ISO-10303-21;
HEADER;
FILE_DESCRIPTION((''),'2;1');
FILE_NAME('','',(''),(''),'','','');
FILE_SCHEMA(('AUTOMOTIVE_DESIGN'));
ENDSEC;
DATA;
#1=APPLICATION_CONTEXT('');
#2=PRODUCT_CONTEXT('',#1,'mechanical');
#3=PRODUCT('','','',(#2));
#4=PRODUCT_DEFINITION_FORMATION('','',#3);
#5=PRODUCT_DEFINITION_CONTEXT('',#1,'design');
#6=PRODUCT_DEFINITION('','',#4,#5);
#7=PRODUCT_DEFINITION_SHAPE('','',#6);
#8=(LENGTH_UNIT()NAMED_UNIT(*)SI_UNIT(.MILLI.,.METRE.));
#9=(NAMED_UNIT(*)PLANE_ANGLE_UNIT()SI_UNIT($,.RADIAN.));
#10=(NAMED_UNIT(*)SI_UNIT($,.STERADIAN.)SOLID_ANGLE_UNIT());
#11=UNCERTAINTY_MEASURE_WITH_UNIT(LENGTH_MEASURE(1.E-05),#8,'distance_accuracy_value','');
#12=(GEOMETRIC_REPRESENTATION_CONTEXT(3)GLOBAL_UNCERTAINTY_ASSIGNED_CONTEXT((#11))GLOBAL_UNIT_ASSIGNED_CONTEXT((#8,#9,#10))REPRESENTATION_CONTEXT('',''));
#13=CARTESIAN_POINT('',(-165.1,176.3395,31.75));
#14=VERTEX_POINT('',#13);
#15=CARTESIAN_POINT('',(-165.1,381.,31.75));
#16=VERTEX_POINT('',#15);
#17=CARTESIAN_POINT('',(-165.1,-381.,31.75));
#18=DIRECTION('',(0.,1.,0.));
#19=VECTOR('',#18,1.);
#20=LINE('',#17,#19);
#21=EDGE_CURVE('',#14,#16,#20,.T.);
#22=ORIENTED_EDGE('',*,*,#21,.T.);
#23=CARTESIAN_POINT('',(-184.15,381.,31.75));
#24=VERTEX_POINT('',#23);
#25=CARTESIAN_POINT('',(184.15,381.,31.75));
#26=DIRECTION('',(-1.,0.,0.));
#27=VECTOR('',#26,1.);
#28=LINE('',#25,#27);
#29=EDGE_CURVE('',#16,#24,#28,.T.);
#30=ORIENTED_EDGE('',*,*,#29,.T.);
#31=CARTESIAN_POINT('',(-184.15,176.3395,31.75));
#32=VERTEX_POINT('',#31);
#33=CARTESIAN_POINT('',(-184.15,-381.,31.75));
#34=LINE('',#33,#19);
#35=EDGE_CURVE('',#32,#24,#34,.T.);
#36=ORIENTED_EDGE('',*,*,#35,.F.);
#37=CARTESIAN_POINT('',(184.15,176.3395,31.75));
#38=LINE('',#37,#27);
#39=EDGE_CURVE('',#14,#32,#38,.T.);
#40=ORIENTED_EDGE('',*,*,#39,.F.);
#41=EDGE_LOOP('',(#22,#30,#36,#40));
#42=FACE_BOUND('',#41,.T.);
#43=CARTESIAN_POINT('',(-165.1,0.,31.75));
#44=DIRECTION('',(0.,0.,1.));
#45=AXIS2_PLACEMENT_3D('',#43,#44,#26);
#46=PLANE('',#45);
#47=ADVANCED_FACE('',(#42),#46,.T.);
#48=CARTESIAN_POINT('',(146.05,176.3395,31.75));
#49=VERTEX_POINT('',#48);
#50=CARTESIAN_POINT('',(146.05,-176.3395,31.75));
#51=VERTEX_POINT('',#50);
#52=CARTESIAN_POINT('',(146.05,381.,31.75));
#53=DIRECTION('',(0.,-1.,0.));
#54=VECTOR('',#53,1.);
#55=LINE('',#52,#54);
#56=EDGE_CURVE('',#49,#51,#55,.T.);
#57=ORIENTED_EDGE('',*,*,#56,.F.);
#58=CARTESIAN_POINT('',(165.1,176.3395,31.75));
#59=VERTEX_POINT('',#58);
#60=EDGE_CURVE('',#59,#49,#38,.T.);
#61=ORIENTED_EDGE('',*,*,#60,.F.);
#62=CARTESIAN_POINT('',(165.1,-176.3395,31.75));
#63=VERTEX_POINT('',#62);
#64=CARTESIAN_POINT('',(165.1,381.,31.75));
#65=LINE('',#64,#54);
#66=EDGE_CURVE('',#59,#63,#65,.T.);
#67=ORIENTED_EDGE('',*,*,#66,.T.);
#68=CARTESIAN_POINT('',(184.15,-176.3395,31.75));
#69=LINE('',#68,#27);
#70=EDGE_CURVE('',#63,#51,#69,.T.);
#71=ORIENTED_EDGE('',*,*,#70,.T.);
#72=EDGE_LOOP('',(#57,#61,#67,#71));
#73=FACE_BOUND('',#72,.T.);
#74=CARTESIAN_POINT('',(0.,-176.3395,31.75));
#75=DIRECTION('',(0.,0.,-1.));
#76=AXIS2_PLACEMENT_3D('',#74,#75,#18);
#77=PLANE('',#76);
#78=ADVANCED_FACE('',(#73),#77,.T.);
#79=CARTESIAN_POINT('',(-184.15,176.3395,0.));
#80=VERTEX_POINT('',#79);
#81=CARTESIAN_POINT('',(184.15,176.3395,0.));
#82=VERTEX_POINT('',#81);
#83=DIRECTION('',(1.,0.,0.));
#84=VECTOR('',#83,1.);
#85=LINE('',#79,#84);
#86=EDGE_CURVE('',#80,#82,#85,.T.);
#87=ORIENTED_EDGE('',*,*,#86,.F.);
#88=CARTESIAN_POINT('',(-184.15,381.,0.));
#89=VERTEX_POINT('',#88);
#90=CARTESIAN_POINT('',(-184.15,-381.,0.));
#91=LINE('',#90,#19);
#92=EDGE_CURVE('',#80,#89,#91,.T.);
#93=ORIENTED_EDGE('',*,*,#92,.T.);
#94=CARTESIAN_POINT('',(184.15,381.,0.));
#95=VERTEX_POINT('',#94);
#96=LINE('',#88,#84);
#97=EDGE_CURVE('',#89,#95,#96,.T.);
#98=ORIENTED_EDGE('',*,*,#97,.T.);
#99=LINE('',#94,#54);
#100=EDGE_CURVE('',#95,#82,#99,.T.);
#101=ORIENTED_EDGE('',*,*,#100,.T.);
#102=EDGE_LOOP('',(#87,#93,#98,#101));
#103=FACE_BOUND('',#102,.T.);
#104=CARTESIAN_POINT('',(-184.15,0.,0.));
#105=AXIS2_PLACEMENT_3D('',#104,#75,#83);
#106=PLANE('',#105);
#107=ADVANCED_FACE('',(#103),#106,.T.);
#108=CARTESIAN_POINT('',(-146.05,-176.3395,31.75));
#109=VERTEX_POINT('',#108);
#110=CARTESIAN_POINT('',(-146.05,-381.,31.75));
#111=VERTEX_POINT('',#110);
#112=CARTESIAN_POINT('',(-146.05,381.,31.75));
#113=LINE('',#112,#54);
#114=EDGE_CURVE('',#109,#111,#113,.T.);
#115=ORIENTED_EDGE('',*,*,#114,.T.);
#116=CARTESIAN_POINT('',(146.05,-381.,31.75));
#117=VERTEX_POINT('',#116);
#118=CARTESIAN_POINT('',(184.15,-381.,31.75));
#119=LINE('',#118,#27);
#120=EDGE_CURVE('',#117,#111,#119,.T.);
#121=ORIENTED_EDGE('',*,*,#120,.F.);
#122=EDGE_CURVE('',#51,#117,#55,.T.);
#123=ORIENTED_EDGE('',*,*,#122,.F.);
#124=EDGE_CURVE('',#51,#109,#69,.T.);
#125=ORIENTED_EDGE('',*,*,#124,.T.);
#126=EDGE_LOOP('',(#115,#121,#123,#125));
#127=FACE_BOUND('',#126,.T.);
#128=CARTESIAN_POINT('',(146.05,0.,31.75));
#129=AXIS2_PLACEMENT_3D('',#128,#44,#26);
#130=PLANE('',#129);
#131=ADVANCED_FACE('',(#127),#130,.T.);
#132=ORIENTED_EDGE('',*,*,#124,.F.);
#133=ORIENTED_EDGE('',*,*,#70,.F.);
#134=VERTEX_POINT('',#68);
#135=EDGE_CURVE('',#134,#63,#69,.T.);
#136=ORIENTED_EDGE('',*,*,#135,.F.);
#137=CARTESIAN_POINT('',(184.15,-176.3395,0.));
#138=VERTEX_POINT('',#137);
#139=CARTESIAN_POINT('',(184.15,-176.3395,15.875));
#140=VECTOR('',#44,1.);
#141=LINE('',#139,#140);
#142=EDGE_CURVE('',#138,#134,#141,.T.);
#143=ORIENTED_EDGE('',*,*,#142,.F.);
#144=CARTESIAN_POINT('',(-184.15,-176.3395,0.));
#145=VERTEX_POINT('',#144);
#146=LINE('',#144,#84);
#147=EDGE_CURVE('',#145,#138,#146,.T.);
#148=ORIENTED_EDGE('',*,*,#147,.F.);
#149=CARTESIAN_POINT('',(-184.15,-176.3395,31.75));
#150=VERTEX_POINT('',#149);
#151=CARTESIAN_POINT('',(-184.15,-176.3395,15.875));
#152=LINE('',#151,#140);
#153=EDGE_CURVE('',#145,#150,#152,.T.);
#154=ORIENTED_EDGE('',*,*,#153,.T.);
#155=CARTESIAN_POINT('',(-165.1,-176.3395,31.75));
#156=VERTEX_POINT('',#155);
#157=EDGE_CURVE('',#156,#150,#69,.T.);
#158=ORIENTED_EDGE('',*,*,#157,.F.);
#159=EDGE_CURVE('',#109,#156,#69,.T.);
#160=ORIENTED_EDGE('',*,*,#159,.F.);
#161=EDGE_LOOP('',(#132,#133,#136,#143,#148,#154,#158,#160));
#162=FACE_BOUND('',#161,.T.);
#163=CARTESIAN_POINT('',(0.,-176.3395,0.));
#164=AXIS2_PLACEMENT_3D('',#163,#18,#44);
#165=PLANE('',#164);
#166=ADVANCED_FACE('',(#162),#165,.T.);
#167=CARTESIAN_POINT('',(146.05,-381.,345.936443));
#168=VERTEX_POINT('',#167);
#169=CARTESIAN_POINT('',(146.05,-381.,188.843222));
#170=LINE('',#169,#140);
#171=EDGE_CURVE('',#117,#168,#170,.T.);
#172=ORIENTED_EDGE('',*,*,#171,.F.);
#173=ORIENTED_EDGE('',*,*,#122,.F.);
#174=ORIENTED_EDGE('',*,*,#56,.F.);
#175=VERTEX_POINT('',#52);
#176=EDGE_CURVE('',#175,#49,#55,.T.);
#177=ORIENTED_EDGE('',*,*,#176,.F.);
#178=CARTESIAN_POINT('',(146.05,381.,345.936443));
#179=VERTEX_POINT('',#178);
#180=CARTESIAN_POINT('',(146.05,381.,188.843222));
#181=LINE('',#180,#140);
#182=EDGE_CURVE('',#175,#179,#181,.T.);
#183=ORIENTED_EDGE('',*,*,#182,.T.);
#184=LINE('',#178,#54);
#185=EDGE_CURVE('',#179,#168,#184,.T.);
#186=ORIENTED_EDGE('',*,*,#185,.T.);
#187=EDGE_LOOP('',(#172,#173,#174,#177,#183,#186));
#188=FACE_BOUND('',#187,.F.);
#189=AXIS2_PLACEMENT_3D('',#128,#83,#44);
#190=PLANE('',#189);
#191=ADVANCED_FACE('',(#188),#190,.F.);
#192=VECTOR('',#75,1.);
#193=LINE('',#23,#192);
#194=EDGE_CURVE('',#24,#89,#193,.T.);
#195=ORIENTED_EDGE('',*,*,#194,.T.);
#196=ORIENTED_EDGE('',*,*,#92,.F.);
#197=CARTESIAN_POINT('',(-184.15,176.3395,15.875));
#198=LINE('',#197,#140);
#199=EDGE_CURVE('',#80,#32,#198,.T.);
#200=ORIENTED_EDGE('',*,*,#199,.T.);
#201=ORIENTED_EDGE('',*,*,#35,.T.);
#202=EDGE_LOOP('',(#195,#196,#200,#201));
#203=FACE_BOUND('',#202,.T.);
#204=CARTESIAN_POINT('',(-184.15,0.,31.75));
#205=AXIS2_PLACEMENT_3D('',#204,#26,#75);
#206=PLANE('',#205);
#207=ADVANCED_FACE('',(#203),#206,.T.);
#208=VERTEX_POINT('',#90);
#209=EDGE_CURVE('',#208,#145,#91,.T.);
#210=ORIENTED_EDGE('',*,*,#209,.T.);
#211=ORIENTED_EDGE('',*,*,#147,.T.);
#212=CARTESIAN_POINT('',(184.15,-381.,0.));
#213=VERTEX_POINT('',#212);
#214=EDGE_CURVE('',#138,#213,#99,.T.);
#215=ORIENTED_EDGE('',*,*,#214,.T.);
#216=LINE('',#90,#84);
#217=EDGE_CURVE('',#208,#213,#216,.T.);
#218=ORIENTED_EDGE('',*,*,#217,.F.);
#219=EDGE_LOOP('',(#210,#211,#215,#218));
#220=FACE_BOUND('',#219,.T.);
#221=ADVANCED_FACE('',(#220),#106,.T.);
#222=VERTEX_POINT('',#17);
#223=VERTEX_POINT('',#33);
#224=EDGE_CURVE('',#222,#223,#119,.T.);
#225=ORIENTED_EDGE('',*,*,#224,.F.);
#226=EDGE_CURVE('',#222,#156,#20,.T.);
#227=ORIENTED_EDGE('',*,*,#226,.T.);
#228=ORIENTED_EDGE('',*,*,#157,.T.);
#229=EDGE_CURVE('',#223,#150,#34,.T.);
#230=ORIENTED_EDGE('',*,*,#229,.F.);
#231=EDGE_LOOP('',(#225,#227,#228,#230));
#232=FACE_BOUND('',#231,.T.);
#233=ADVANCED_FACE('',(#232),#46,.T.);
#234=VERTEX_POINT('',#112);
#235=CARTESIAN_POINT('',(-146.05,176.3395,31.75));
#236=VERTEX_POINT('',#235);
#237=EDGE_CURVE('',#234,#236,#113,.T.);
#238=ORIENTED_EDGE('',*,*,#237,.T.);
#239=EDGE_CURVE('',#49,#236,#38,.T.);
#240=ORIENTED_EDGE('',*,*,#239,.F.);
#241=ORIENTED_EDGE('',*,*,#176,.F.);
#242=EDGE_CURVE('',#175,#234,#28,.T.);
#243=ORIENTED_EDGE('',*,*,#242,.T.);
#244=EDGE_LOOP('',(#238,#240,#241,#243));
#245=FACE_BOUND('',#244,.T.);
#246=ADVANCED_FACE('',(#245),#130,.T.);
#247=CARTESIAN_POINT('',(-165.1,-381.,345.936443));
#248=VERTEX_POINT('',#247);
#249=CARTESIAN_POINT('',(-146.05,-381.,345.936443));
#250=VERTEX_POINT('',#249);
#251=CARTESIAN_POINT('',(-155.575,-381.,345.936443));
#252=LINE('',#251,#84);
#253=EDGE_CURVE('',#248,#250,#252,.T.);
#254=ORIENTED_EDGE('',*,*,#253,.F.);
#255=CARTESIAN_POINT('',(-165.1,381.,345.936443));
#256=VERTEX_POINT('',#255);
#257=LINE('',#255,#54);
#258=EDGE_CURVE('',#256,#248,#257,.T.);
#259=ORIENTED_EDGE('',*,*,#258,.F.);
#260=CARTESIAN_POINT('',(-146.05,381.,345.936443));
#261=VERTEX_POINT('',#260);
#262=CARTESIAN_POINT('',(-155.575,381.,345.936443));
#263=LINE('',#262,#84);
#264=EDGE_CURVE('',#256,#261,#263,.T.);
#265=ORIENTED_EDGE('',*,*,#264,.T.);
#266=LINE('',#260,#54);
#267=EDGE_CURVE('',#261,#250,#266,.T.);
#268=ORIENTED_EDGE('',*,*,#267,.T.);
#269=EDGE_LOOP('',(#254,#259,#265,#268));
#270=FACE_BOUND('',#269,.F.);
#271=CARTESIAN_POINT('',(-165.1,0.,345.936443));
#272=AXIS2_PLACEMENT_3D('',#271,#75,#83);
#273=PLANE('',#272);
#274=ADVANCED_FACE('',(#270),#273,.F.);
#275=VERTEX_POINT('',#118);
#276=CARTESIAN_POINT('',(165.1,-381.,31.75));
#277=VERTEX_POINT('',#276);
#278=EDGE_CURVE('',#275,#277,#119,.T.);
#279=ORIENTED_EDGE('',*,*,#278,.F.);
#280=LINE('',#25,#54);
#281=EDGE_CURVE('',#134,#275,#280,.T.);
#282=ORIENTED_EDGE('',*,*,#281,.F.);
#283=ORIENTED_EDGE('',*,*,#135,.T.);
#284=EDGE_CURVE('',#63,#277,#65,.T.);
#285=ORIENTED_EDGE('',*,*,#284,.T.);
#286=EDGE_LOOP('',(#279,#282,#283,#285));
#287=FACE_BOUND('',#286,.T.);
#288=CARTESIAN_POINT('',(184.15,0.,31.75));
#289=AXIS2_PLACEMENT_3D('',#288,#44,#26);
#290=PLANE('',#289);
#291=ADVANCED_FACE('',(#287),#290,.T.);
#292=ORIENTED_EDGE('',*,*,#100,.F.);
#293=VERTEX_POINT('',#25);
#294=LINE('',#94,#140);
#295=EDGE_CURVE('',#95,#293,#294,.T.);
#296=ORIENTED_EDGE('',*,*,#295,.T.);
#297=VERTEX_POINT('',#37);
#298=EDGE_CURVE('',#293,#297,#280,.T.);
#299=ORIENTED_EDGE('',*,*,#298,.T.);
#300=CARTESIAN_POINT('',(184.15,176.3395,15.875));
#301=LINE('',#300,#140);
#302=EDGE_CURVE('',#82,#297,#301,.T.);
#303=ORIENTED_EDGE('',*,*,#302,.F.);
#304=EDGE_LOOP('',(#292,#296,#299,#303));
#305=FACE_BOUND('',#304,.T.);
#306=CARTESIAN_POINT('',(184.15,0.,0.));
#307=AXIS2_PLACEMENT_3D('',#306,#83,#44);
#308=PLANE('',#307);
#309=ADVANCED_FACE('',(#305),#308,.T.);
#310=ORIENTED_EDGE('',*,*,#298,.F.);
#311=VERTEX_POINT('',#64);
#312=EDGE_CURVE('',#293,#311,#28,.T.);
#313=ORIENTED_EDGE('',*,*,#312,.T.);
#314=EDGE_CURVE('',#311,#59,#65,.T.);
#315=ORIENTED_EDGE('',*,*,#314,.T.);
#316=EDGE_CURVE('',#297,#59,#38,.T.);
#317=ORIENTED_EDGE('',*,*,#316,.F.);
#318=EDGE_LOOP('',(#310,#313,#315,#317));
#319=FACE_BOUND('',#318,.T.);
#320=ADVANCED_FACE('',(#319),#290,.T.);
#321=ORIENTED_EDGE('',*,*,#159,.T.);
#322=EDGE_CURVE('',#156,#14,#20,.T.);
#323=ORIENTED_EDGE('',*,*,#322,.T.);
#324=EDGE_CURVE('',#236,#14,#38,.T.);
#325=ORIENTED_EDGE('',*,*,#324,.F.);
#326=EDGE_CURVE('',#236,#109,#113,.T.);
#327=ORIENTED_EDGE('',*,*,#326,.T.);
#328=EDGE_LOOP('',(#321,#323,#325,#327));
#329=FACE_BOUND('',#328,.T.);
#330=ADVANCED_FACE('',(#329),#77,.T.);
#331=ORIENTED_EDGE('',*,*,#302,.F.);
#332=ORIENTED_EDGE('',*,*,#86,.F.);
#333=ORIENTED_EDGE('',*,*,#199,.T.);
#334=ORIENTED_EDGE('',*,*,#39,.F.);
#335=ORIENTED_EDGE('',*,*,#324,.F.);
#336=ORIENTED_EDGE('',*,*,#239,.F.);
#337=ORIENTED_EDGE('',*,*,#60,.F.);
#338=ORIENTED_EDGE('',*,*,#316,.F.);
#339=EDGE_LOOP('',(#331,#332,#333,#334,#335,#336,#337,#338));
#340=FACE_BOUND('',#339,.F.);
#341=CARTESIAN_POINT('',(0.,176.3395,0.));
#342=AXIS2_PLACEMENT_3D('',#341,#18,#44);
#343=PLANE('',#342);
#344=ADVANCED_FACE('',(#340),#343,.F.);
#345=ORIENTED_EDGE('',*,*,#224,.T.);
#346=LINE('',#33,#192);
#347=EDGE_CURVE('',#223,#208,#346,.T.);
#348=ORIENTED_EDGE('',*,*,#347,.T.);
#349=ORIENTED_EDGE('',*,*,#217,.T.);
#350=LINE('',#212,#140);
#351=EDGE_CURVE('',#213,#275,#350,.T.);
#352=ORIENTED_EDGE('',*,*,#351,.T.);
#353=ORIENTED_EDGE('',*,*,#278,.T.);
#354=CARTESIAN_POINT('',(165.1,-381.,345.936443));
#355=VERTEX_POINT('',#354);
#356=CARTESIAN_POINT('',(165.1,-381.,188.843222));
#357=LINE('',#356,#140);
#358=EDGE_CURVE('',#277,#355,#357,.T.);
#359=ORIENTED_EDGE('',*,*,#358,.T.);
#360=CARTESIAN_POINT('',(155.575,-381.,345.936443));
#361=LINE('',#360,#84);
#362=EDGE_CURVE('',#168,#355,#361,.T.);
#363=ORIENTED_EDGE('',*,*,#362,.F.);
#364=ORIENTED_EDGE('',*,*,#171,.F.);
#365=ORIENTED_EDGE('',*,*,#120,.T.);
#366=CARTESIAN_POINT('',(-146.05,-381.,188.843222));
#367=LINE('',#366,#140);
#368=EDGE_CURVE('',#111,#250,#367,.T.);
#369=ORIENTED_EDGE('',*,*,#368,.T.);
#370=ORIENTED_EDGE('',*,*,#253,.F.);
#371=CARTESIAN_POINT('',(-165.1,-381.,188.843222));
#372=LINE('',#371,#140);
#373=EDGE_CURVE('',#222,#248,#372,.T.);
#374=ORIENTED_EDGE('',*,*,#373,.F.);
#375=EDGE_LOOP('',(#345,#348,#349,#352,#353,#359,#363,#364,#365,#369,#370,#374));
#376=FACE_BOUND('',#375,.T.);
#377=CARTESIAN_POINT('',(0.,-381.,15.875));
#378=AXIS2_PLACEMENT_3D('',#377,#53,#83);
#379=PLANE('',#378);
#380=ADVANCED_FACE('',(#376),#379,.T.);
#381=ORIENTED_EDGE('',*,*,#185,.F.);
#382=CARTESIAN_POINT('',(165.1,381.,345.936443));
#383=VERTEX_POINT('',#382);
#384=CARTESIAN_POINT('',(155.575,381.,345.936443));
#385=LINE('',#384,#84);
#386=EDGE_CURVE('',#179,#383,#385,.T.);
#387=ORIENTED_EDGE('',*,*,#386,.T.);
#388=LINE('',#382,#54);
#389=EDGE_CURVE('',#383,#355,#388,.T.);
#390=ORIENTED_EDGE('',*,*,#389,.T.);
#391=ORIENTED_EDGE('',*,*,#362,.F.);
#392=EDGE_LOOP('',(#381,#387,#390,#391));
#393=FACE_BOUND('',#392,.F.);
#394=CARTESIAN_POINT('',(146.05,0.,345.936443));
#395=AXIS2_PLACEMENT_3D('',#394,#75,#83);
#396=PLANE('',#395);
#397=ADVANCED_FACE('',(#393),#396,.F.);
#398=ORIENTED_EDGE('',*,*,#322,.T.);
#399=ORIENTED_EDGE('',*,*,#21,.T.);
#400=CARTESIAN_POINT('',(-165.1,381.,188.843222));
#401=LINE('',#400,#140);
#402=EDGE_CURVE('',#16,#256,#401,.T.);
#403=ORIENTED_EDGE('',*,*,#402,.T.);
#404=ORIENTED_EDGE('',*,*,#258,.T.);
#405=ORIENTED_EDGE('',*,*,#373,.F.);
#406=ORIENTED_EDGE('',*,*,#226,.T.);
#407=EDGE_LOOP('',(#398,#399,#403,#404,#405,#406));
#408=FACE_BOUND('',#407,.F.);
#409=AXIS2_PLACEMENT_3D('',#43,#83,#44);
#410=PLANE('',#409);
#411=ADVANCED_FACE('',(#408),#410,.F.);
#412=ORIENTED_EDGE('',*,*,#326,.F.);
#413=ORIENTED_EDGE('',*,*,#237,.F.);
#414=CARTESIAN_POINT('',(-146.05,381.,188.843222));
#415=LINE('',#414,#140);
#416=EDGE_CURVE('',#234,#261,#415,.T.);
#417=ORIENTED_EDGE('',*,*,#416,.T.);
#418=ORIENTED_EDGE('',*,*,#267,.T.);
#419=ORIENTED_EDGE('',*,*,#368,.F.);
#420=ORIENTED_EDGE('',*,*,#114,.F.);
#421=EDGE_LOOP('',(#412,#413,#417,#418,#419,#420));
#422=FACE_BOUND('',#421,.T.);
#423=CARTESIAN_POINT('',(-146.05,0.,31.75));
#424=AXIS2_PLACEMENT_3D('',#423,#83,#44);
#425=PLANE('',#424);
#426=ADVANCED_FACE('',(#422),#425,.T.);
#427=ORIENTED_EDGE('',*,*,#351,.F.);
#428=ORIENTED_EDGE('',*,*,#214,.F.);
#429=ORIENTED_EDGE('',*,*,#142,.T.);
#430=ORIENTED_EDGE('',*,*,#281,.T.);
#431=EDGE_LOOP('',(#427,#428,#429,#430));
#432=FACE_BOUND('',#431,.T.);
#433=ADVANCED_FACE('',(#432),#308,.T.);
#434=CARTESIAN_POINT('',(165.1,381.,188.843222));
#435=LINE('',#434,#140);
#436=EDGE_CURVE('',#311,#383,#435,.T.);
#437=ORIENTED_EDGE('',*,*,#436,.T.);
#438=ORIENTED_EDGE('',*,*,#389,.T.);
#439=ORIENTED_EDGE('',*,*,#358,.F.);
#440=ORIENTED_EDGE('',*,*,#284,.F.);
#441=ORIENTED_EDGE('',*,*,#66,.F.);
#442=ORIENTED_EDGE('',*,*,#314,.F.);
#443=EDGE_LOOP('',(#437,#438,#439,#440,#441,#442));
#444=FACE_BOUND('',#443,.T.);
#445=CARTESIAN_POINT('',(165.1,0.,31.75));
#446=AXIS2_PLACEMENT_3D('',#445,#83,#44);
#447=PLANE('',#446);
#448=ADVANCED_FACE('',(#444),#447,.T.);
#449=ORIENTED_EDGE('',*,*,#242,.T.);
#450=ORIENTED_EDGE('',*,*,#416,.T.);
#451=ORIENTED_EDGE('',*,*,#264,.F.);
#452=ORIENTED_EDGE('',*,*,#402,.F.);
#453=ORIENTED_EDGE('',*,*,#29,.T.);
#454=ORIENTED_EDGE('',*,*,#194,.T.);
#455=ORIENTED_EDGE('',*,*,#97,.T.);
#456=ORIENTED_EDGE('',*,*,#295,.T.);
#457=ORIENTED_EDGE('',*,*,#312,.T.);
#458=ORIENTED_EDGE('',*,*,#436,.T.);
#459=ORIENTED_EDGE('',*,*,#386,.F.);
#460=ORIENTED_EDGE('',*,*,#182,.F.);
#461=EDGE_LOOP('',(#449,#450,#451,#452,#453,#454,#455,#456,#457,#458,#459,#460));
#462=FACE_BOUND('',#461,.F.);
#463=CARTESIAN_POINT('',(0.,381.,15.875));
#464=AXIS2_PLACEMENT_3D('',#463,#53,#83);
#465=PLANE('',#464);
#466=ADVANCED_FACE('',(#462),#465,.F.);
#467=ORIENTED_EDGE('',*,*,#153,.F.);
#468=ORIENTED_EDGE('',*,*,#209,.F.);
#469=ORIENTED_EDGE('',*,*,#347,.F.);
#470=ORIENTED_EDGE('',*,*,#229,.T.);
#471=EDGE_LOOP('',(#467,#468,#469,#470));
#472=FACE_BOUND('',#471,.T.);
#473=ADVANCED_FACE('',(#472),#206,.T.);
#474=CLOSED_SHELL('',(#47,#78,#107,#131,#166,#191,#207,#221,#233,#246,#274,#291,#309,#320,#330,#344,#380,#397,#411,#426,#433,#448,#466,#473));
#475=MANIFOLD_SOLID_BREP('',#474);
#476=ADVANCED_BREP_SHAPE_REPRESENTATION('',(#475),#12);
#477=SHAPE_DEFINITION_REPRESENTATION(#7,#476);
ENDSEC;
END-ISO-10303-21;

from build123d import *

# Parameters (mm, degrees)
F0_W     = 19.05
F0_H     = 314.1864430949
F1_DEPTH = 381
F2_W     = 352.679
F2_H     = 31.75
F3_DEPTH = 184.15


with BuildPart() as f1:
    # F0 (on Front) → F1 (new body, symmetric)
    with BuildSketch(Plane.XZ):
        Polygon((-184.15, 0), (0, 0), (184.15, 0), (184.15, 31.75), (165.1, 31.75), (146.05, 31.75), (-146.05, 31.75), (-165.1, 31.75), (-184.15, 31.75), align=None)
        with Locations((155.575, 188.8432215475)):
            Rectangle(F0_W, F0_H)
        with Locations((-155.575, 188.8432215475)):
            Rectangle(F0_W, F0_H)
    extrude(amount=F1_DEPTH, both=True)

    # F2 (on Right) → F3 (cut, symmetric)
    with BuildSketch(Plane.YZ):
        with Locations((0, 15.875)):
            Rectangle(F2_W, F2_H)
    extrude(amount=F3_DEPTH, both=True, mode=Mode.SUBTRACT)


solid = f1.part
